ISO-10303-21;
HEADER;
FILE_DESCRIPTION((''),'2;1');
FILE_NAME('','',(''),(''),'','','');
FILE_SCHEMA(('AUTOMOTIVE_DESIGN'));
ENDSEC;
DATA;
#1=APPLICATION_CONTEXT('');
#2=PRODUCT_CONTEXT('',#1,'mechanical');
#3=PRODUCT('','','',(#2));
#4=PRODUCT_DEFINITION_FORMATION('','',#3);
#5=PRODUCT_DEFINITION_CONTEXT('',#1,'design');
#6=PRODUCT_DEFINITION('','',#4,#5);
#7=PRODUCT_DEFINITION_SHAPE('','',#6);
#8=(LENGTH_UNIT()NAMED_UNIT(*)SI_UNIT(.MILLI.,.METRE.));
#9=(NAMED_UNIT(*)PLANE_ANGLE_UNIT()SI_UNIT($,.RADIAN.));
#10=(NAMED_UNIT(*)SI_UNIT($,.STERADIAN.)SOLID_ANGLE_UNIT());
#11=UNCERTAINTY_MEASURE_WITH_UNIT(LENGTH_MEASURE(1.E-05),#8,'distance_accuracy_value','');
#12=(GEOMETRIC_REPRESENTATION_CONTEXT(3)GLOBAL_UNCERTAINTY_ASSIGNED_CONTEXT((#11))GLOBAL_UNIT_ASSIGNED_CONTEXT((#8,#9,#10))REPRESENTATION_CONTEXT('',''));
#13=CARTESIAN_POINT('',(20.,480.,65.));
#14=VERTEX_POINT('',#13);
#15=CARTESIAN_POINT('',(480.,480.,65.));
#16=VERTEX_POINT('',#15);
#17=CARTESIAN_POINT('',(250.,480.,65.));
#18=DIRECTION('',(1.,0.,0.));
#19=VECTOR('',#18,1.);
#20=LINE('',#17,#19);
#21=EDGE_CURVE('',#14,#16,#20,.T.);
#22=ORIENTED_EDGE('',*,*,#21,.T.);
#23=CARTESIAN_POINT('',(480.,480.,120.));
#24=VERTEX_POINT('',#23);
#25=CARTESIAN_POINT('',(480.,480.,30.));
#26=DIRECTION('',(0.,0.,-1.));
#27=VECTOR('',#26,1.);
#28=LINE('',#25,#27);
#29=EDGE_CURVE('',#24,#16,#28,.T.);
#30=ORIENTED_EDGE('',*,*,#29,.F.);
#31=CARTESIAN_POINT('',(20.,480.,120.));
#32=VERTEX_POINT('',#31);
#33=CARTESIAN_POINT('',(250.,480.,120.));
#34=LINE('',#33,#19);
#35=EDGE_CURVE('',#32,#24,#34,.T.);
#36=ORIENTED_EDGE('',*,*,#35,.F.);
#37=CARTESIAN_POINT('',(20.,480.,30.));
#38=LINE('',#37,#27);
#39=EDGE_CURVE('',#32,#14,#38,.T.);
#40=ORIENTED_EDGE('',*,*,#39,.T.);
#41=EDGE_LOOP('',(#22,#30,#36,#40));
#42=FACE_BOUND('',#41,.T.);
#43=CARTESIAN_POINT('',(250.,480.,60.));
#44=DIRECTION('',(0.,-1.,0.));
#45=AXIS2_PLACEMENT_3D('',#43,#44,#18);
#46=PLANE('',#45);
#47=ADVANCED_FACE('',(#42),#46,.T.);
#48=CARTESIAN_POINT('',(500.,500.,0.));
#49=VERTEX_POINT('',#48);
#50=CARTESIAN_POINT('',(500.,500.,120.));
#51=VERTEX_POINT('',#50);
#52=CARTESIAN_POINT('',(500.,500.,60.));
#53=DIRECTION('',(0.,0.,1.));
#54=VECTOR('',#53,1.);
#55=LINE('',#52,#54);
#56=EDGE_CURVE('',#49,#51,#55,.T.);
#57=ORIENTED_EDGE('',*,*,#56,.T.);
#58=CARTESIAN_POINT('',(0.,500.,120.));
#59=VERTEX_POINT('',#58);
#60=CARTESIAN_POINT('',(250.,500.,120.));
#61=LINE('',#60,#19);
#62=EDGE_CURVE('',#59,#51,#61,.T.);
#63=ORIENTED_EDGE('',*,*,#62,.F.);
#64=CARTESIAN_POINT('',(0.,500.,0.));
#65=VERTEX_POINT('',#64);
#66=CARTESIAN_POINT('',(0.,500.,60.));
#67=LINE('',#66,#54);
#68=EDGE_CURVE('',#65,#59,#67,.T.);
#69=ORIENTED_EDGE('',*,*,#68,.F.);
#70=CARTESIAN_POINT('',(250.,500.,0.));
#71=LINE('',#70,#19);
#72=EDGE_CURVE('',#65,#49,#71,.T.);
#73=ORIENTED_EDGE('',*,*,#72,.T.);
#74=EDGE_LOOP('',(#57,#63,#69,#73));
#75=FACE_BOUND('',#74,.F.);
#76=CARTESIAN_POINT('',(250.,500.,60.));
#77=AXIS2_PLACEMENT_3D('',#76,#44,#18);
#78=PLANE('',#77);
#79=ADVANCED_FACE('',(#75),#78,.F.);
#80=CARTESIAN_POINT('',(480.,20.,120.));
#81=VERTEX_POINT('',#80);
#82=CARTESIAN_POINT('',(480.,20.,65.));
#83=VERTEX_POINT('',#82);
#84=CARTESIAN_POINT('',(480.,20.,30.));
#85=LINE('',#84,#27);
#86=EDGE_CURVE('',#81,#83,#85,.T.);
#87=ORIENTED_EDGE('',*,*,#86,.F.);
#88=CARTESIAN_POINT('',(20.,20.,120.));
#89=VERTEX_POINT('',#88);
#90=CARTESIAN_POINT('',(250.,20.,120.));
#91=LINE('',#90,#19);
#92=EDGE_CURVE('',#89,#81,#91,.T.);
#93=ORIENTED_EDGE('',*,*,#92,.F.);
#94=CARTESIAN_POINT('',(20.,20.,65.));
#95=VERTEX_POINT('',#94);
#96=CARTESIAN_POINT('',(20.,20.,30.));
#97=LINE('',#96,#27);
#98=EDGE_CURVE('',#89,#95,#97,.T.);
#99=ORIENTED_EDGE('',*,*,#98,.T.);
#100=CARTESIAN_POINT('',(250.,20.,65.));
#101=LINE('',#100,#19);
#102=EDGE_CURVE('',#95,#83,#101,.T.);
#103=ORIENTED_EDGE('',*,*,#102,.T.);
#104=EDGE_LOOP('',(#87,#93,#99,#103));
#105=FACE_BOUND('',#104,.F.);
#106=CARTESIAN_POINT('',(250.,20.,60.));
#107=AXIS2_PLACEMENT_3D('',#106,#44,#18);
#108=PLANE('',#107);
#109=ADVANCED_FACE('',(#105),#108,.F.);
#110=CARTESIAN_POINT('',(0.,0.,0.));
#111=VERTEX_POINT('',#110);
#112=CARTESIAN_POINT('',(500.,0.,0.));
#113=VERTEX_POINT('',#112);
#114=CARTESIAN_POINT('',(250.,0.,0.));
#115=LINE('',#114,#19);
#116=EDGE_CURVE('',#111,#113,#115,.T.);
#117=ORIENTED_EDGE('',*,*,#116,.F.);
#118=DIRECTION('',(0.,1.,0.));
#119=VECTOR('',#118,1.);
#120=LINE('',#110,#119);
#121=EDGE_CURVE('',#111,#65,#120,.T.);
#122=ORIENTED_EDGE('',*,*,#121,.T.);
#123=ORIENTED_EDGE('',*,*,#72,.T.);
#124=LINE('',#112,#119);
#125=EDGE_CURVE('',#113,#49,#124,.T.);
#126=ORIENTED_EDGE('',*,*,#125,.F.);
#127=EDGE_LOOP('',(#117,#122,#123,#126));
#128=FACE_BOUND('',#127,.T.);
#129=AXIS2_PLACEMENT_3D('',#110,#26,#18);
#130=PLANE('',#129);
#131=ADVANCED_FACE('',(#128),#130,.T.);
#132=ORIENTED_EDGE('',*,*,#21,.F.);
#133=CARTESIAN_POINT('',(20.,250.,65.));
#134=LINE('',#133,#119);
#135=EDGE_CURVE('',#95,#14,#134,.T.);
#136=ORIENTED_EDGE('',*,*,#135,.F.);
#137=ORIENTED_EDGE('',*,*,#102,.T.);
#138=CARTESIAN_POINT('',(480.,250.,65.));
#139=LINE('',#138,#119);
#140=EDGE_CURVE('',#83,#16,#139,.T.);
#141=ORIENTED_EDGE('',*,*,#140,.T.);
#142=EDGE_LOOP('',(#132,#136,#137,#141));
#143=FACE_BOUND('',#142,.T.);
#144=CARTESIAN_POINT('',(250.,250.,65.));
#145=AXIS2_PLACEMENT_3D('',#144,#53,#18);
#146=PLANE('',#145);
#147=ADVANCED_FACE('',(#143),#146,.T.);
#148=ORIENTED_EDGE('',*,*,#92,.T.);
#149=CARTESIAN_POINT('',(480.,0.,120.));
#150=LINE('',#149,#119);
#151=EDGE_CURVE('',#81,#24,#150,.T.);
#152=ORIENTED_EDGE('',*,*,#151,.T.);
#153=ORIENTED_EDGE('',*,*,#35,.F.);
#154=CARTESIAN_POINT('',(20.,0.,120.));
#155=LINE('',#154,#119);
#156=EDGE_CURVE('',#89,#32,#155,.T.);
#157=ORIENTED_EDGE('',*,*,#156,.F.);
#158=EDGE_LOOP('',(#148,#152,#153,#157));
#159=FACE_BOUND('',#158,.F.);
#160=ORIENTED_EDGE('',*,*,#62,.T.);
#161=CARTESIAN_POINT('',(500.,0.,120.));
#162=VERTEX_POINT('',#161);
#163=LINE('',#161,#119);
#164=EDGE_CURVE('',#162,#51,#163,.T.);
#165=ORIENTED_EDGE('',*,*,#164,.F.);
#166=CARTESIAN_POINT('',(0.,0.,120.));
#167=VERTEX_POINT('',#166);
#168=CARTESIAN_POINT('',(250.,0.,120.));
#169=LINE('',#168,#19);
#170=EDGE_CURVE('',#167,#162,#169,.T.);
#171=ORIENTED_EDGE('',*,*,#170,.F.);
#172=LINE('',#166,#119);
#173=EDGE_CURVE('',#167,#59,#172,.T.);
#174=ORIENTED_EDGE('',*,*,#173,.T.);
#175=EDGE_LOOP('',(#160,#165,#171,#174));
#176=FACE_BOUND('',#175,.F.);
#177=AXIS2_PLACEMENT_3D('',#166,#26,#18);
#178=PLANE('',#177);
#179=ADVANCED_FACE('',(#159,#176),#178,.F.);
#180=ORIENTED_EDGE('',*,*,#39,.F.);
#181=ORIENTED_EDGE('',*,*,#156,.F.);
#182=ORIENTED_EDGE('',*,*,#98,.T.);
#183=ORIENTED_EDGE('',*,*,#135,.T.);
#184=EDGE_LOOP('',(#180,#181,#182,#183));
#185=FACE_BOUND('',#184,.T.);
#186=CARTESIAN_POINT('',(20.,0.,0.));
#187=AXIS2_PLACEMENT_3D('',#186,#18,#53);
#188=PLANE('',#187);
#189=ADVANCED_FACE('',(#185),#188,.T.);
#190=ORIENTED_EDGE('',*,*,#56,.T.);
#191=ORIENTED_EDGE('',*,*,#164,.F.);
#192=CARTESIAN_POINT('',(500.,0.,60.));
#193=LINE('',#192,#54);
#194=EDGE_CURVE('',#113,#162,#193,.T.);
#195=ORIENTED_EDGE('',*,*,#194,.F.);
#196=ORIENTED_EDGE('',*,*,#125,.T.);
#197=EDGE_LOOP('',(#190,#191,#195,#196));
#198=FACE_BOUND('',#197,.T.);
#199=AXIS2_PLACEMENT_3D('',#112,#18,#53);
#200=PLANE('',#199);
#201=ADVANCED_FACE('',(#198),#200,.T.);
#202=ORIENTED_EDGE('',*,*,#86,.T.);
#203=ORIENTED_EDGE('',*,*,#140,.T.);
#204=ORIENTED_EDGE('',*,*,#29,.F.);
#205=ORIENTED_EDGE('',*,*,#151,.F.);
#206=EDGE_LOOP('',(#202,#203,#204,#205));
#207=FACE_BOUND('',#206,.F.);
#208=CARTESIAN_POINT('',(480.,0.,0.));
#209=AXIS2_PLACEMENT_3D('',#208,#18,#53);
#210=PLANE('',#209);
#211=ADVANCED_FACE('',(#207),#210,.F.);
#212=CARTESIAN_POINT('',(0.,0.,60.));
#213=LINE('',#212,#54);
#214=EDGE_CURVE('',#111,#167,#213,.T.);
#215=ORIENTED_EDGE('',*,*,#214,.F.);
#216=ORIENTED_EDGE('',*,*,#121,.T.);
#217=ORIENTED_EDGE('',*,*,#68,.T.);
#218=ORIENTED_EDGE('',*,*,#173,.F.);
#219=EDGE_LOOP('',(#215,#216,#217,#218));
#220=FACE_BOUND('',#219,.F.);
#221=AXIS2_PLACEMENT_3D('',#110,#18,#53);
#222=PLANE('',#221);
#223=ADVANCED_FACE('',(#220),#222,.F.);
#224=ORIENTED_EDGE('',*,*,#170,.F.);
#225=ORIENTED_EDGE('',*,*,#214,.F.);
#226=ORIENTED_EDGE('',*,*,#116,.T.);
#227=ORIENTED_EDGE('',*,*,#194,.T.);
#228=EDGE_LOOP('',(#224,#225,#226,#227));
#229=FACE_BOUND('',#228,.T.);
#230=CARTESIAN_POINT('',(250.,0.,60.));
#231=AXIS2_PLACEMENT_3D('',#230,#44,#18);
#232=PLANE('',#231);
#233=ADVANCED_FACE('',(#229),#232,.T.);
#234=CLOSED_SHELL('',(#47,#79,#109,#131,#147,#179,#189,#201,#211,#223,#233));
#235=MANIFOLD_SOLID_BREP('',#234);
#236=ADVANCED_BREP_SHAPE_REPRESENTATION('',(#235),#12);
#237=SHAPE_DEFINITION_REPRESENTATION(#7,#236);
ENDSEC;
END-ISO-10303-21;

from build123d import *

# Parameters (mm, degrees)
F0_W     = 500
F0_H     = 120
F1_DEPTH = 500
F2_T     = -20
F3_W     = 460
F3_H     = 460
F4_DEPTH = 45


with BuildPart() as f1:
    # F0 (on Front) → F1 (new body)
    with BuildSketch(Plane.XZ):
        with Locations((250, 60)):
            Rectangle(F0_W, F0_H)
    extrude(amount=-F1_DEPTH)

    # F2
    f2_openings = [f1.faces().sort_by_distance(p)[0] for p in [
        (250, 250, 120),
    ]]
    offset(amount=F2_T, openings=f2_openings)

    # F3 (on face) → F4 (join)
    with BuildSketch(Plane.XY.offset(20)):
        with Locations((250, 250)):
            Rectangle(F3_W, F3_H)
    extrude(amount=F4_DEPTH)


solid = f1.part
